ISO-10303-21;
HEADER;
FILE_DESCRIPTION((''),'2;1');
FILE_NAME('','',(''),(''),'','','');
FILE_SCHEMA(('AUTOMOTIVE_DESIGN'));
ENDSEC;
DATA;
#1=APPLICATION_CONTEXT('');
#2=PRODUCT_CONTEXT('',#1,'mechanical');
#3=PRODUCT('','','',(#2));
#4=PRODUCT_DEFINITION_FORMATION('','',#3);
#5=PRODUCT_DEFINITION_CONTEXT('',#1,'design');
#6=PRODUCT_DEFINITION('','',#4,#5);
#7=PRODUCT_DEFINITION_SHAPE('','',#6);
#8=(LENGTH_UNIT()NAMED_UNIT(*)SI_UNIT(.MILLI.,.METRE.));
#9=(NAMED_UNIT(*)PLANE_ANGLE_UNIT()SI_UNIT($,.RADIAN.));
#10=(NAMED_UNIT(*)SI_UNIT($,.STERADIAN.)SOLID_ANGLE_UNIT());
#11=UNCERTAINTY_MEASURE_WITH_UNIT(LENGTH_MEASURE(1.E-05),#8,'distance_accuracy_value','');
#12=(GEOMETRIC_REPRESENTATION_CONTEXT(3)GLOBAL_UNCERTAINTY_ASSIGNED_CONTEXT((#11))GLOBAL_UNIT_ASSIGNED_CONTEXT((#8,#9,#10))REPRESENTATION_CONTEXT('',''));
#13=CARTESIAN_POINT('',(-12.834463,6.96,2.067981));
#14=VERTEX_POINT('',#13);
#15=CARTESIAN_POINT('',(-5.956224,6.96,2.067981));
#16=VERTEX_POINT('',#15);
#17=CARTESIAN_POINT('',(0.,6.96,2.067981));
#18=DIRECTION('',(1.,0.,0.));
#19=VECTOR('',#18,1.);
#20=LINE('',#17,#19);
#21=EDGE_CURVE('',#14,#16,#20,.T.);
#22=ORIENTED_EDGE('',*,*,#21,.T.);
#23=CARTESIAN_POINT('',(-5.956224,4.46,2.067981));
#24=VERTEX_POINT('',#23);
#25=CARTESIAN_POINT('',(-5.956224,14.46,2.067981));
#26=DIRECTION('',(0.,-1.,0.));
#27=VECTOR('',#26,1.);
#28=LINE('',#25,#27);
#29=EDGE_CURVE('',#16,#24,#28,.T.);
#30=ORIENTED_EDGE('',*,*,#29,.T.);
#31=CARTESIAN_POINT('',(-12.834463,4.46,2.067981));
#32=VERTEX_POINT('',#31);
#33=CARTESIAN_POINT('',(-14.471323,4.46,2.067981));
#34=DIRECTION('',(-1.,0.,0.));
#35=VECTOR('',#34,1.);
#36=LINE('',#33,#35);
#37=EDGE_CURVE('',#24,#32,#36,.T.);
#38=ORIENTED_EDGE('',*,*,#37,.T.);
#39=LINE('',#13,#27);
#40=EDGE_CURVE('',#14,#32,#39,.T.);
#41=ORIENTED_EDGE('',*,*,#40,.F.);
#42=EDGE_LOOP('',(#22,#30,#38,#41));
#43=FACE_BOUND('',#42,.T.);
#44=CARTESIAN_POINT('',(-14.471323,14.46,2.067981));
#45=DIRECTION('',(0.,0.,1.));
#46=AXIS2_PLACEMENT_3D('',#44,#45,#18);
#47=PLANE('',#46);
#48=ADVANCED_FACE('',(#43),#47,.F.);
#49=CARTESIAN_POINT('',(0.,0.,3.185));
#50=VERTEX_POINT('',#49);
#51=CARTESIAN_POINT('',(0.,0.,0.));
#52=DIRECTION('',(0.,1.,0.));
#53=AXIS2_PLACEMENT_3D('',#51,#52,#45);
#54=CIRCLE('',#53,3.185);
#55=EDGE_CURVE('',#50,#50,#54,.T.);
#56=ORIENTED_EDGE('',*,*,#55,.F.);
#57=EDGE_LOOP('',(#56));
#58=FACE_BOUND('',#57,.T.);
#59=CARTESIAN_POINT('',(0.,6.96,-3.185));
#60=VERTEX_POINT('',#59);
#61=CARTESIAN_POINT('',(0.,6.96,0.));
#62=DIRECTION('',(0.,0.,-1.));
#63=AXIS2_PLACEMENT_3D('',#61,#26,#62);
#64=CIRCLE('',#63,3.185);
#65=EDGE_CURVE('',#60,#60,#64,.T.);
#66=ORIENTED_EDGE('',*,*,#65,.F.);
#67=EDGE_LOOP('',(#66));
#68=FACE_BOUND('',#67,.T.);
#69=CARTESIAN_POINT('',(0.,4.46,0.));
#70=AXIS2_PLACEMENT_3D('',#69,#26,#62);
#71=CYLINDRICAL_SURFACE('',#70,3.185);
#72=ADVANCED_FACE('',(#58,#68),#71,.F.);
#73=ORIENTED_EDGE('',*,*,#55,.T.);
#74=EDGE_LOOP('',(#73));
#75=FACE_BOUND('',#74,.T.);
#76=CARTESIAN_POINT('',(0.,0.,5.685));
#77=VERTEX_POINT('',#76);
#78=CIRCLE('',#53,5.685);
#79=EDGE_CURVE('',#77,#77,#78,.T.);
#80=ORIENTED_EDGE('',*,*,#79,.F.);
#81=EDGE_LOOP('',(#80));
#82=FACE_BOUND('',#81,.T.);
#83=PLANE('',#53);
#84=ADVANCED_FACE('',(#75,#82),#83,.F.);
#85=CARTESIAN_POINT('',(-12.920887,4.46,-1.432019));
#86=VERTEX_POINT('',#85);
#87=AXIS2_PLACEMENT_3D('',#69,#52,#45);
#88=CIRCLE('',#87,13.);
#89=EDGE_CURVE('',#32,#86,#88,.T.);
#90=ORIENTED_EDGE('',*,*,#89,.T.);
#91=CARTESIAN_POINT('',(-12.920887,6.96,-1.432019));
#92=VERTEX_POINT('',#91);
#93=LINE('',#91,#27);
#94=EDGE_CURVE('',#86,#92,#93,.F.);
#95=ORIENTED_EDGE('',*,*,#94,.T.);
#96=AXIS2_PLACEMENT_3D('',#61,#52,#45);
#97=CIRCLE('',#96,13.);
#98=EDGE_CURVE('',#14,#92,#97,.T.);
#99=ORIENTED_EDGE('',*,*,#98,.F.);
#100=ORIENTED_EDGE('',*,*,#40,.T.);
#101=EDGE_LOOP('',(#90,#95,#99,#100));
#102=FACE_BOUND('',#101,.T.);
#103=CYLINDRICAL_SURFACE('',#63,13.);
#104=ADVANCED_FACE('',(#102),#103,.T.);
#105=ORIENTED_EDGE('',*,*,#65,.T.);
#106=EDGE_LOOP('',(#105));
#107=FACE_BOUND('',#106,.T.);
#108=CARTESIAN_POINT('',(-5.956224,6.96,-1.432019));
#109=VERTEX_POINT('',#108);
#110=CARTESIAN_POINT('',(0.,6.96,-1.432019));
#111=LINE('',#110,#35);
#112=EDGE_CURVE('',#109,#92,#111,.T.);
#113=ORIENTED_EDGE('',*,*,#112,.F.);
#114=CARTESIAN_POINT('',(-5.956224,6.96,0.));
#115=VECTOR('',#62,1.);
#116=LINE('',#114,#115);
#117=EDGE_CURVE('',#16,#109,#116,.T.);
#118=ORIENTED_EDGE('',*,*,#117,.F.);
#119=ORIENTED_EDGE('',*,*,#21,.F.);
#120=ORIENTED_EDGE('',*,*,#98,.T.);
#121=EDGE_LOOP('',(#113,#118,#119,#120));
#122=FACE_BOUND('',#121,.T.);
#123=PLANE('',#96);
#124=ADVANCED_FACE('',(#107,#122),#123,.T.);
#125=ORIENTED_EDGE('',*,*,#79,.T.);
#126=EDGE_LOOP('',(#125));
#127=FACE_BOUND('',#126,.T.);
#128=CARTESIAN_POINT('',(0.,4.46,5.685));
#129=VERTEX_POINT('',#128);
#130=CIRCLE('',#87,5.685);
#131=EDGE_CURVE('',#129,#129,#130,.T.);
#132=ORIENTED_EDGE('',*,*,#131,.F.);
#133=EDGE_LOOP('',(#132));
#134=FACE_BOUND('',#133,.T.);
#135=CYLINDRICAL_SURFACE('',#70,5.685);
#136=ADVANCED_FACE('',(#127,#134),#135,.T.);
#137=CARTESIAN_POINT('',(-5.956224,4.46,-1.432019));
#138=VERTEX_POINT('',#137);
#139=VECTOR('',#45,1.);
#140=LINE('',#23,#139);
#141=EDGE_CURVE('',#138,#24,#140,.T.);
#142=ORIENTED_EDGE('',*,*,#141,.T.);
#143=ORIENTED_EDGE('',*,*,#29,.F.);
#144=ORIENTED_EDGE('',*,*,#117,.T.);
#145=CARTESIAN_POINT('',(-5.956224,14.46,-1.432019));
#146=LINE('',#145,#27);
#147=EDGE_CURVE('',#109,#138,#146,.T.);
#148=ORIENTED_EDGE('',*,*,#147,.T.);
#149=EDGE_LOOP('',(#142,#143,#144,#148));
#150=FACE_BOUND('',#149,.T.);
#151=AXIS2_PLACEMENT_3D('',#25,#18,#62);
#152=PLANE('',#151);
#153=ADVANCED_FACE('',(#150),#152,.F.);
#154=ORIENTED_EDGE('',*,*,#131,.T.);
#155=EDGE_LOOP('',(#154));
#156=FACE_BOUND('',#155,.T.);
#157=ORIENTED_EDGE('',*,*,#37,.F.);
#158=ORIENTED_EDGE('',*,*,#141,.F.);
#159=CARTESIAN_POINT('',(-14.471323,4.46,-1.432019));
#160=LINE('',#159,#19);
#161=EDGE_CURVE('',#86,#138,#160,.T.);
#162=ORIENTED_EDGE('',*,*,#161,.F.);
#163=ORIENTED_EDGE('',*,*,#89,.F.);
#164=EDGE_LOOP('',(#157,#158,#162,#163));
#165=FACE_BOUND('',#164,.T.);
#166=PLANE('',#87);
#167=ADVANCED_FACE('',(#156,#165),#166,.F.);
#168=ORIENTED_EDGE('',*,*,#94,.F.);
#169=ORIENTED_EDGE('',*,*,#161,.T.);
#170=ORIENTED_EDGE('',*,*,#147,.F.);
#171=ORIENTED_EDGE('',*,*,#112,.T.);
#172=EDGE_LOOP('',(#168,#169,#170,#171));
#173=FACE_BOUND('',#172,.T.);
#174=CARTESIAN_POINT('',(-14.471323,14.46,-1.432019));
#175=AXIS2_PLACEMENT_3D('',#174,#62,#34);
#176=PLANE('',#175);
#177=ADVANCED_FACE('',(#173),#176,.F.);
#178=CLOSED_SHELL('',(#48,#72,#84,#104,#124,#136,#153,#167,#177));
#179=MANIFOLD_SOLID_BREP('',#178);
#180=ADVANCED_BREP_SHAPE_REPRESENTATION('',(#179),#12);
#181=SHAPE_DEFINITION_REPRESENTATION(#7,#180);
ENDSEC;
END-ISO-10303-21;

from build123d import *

# Parameters (mm, degrees)
SKETCH1_R           = 5.685
SKETCH1_R_2         = 3.185
BOSS_EXTRUDE1_DEPTH = 4.46
SKETCH2_R           = 13
BOSS_EXTRUDE2_DEPTH = 2.5
SKETCH3_R           = 3.185
CUT_EXTRUDE1_DEPTH  = 2.5
SKETCH4_W           = 8.515099108
SKETCH4_H           = 3.5
CUT_EXTRUDE2_DEPTH  = 10


with BuildPart() as part:
    # Sketch1 → Boss-Extrude1 (new body)
    with BuildSketch(Plane(origin=(0, 0, 0), x_dir=(1, 0, 0), z_dir=(0, 1, 0))):
        with Locations(Location((0, 0, 0), (0, 0, 270))):
            Circle(SKETCH1_R)
        with Locations(Location((0, 0, 0), (0, 0, 270))):
            Circle(SKETCH1_R_2, mode=Mode.SUBTRACT)
    extrude(amount=BOSS_EXTRUDE1_DEPTH)

    # Sketch2 → Boss-Extrude2 (add)
    with BuildSketch(Plane(origin=(0, 4.46, 0), x_dir=(1, 0, 0), z_dir=(0, 1, 0))):
        with Locations(Location((0, 0, 0), (0, 0, 270))):
            Circle(SKETCH2_R)
    extrude(amount=BOSS_EXTRUDE2_DEPTH)

    # Sketch3 → Cut-Extrude1 (cut)
    with BuildSketch(Plane.XZ.offset(-4.46)):
        with Locations(Location((0, 0, 0), (0, 0, 270))):
            Circle(SKETCH3_R)
    extrude(amount=-CUT_EXTRUDE1_DEPTH, mode=Mode.SUBTRACT)

    # Sketch4 → Cut-Extrude2 (cut)
    with BuildSketch(Plane.XZ.offset(-4.46)):
        with Locations((-10.213773727, 0.31798138)):
            Rectangle(SKETCH4_W, SKETCH4_H)
    extrude(amount=-CUT_EXTRUDE2_DEPTH, mode=Mode.SUBTRACT)


solid = part.part
